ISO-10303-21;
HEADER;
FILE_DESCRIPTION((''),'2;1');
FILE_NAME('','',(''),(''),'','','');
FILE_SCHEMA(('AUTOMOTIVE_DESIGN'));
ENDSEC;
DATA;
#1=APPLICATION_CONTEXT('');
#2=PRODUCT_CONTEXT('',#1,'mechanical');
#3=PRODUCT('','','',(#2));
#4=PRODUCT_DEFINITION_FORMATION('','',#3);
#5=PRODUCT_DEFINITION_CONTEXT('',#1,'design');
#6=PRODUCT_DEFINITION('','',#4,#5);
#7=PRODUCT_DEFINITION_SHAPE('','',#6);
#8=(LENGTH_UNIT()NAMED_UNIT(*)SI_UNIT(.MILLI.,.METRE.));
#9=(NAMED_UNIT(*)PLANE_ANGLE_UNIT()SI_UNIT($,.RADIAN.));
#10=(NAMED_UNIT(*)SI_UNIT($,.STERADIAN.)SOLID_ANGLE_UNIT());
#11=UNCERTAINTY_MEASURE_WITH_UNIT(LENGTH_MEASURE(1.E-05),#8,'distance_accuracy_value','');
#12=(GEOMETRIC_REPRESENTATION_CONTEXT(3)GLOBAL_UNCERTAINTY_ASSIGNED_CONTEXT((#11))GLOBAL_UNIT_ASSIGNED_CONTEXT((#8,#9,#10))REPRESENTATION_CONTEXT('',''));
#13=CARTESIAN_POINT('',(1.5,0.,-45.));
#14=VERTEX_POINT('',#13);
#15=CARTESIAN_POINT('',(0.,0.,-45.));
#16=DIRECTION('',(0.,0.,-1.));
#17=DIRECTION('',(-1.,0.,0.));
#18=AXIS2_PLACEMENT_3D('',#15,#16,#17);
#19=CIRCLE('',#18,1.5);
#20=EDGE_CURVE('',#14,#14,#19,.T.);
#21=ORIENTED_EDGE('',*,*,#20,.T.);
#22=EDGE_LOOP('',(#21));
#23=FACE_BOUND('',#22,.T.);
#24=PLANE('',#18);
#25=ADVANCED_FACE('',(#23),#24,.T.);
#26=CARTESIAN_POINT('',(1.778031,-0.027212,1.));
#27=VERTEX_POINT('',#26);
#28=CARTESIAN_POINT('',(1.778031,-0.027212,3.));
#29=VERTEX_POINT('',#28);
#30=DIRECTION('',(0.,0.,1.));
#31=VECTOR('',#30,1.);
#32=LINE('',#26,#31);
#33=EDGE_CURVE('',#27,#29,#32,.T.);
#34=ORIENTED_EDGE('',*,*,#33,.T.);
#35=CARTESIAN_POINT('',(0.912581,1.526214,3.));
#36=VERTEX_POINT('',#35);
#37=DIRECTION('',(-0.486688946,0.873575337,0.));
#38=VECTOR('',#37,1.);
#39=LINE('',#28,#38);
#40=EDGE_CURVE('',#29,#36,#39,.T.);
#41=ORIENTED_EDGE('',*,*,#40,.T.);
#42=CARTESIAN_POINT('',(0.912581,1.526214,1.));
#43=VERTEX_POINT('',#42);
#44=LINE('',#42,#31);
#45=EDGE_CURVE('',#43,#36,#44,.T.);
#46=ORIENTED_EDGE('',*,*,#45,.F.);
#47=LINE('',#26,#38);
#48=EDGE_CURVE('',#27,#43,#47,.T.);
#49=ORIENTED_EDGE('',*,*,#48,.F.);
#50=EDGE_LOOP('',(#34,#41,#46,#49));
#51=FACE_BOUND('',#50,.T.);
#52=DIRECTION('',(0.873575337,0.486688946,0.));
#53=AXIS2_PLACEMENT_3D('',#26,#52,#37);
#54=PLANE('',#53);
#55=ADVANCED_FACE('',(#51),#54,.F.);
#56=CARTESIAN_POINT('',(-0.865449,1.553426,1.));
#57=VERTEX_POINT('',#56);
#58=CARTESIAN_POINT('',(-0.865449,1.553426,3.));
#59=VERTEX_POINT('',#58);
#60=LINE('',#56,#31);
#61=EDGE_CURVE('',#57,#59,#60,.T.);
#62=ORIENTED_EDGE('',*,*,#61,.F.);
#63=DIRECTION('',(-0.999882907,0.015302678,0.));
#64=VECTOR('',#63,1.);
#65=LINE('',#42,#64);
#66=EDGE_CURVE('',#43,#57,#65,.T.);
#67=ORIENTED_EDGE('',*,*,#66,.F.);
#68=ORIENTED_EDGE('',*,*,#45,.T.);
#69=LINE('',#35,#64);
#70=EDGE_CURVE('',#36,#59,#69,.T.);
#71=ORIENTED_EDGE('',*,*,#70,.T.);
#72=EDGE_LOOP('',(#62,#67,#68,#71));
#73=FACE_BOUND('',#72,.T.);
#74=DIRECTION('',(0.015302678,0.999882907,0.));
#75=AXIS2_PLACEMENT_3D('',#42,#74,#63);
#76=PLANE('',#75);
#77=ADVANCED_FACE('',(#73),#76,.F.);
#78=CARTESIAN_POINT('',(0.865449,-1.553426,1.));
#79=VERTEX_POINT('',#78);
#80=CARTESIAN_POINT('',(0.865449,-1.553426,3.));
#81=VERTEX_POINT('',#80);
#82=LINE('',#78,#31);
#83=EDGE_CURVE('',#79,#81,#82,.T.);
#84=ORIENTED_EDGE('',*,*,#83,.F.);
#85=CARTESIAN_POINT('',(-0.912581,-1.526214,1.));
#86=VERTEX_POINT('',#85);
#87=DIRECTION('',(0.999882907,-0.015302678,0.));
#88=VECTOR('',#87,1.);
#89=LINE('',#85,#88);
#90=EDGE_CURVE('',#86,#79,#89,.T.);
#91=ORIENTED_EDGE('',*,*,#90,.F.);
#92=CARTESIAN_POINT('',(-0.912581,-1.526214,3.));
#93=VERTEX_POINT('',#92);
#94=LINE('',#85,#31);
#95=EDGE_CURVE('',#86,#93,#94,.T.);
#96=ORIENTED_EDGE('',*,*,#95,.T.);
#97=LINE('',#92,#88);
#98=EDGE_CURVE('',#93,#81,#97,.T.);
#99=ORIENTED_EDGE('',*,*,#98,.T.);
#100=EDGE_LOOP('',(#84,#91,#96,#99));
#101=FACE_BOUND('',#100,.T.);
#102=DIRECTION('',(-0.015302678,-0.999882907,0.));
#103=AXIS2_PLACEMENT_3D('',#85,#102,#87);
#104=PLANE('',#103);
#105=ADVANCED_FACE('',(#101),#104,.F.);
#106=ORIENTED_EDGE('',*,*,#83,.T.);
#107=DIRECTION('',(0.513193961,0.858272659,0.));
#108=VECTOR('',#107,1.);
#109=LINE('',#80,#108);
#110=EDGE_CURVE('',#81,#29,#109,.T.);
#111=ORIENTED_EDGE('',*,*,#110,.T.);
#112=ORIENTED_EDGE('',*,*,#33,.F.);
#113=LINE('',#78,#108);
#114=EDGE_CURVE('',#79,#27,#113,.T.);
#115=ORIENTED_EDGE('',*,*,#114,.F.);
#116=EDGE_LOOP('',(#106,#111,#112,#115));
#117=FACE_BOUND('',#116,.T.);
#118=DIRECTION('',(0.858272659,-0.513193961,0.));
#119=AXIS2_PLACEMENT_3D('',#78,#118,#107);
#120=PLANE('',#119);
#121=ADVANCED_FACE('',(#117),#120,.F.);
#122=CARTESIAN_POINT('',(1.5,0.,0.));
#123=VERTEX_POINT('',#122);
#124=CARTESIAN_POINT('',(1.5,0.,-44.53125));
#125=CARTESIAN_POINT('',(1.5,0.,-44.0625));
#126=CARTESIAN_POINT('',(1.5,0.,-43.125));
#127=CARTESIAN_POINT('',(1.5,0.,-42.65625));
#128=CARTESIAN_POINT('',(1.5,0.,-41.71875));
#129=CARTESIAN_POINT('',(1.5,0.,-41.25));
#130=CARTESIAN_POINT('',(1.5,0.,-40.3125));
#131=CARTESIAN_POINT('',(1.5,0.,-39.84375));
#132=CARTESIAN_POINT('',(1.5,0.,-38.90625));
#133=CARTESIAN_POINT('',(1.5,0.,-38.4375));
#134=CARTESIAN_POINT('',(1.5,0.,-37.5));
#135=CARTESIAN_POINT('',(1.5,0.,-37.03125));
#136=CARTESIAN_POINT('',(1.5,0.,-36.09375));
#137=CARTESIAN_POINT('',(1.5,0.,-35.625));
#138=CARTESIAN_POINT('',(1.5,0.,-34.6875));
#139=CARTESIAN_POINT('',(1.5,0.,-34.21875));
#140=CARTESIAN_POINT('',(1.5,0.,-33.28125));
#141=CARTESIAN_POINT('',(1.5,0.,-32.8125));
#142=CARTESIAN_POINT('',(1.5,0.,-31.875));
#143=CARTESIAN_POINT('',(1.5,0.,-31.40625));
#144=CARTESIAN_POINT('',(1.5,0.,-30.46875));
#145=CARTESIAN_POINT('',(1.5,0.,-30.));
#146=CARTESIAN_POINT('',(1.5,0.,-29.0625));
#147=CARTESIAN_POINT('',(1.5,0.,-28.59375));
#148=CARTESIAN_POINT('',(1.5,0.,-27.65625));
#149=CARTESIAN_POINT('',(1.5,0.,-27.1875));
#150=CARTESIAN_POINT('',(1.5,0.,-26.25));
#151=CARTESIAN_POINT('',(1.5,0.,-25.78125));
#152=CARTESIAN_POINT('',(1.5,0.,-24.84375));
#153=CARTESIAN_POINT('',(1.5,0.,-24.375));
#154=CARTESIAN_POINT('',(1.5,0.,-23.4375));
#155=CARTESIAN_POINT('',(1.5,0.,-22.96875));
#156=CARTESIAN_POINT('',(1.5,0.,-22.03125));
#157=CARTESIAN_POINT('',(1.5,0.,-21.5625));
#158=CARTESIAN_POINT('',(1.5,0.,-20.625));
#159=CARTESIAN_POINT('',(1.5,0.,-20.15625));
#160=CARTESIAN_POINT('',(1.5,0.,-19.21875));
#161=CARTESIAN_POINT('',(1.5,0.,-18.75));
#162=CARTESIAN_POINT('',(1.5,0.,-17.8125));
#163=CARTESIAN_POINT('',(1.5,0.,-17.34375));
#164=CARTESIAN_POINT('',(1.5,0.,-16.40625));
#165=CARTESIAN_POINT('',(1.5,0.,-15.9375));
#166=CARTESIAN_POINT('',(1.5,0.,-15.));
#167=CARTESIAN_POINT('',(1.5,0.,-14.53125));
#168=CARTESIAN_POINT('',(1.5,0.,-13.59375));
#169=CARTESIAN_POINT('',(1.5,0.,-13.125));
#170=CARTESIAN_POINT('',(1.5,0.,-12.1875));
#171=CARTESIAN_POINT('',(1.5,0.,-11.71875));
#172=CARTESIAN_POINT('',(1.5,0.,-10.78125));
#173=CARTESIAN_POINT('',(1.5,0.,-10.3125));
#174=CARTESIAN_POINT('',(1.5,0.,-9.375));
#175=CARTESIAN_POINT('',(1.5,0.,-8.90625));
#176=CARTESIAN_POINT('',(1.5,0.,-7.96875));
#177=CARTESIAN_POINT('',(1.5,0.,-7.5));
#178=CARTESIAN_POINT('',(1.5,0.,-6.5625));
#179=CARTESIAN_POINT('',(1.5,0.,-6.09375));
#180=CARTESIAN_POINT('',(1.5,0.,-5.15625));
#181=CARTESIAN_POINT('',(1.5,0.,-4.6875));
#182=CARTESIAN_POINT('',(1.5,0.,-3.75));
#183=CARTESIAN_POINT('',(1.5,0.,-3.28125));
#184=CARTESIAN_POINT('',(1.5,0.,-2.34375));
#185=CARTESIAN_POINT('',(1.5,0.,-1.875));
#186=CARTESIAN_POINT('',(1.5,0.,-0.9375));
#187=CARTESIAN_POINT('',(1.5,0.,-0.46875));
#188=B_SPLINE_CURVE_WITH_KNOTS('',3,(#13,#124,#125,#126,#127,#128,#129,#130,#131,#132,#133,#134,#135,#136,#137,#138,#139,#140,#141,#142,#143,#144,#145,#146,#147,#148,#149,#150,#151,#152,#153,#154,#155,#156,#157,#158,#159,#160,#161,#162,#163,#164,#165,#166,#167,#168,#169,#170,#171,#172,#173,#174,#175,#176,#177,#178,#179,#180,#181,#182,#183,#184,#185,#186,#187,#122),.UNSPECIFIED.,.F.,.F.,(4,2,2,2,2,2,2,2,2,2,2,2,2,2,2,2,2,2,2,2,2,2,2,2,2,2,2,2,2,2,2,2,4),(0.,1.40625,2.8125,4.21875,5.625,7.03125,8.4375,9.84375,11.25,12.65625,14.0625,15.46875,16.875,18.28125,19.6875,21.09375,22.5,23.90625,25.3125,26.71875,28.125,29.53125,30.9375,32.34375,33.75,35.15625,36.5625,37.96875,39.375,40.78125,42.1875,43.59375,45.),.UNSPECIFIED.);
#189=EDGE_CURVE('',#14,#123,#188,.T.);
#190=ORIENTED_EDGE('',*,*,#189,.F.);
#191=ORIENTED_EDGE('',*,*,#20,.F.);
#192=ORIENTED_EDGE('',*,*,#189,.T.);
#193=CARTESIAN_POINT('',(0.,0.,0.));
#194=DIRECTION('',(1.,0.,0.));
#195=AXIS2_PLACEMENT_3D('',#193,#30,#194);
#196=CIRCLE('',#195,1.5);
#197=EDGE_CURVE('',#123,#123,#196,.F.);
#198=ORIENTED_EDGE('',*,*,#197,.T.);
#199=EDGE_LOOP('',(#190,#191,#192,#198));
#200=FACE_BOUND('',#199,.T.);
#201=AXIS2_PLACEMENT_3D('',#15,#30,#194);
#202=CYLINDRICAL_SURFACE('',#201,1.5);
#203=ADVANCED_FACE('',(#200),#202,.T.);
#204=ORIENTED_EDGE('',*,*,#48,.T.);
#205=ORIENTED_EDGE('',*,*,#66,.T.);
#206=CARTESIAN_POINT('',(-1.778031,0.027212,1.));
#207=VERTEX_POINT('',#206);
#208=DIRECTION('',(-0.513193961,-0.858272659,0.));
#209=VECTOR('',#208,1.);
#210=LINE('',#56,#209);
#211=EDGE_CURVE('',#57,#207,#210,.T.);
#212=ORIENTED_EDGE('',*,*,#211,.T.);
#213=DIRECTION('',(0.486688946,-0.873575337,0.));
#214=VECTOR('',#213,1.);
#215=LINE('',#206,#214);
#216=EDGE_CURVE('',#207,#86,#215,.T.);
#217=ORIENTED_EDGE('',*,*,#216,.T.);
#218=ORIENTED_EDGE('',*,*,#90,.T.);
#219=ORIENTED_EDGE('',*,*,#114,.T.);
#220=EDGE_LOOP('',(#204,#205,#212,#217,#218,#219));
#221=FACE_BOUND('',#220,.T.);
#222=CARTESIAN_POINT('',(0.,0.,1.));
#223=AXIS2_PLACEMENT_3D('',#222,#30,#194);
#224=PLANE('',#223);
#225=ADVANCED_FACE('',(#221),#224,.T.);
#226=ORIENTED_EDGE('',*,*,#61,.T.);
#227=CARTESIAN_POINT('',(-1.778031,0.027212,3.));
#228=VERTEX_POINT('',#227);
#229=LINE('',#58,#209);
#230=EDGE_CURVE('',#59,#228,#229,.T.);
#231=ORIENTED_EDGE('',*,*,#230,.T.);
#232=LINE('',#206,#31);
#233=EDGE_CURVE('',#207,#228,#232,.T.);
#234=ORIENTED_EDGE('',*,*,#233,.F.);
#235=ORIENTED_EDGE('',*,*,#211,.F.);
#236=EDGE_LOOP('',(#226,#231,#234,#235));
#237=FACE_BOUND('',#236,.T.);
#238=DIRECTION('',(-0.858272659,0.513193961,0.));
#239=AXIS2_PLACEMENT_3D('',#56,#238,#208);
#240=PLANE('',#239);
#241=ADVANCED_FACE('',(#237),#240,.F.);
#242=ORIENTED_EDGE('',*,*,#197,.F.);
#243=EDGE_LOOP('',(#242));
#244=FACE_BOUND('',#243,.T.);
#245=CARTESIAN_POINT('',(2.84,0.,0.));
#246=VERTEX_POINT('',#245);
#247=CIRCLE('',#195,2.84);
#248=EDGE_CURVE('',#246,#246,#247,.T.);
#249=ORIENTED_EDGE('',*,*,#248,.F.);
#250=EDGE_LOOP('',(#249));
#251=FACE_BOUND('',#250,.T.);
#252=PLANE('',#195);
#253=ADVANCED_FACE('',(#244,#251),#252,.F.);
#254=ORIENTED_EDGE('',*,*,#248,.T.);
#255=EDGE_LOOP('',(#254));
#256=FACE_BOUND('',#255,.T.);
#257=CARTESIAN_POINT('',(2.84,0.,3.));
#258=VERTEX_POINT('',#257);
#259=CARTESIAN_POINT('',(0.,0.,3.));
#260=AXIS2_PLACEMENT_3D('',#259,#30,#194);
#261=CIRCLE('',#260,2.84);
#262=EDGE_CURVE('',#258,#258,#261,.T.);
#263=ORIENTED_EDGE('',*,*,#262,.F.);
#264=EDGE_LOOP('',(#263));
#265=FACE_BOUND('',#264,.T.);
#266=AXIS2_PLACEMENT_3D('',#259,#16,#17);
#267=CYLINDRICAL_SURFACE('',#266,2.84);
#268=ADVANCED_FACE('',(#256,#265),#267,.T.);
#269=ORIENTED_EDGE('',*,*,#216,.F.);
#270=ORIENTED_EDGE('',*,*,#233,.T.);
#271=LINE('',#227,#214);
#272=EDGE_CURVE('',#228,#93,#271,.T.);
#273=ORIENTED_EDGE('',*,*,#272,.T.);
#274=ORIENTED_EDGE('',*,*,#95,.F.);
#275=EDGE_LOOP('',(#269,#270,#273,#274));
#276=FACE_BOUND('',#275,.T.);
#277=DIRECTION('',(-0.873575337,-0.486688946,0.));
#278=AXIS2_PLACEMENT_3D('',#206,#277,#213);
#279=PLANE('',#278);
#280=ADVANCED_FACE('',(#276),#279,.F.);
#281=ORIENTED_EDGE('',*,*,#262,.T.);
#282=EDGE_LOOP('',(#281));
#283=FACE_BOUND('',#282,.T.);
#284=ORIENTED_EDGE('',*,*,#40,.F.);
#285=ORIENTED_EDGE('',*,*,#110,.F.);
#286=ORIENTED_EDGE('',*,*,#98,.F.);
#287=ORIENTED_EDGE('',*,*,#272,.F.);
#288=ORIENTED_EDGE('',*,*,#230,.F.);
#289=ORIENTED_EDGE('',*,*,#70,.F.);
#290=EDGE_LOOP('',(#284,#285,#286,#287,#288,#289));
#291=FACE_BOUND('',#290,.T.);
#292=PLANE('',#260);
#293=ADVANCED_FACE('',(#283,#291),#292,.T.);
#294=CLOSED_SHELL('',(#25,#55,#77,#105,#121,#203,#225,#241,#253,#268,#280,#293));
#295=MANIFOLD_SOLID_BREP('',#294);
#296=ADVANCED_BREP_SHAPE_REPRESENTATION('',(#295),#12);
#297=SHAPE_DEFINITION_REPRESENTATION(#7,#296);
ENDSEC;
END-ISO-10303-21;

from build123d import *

# Parameters (mm, degrees)
SKETCH_1_R          = 2.84
EXTRUDE_1_DEPTH     = 3
SKETCH_2_R          = 1.5
EXTRUDE_2_DEPTH     = 45
CUT_EXTRUDE_1_DEPTH = 2


with BuildPart() as part:
    # 草图1 → 凸台-拉伸1 (new body)
    with BuildSketch(Plane.XY):
        Circle(SKETCH_1_R)
    extrude(amount=EXTRUDE_1_DEPTH)

    # 草图2 → 凸台-拉伸2 (add)
    with BuildSketch(Plane(origin=(0, 0, 0), x_dir=(-1, 0, 0), z_dir=(0, 0, -1))):
        with Locations(Location((0, 0, 0), (0, 0, 180))):
            Circle(SKETCH_2_R)
    extrude(amount=EXTRUDE_2_DEPTH)

    # 草图3 → 切除-拉伸1 (cut)
    with BuildSketch(Plane.XY.offset(3)):
        Polygon((0.912581429, 1.526213769), (-0.865449181, 1.553425585), (-1.77803061, 0.027211816), (-0.912581429, -1.526213769), (0.865449181, -1.553425585), (1.77803061, -0.027211816), align=None)
    extrude(amount=-CUT_EXTRUDE_1_DEPTH, mode=Mode.SUBTRACT)


solid = part.part
